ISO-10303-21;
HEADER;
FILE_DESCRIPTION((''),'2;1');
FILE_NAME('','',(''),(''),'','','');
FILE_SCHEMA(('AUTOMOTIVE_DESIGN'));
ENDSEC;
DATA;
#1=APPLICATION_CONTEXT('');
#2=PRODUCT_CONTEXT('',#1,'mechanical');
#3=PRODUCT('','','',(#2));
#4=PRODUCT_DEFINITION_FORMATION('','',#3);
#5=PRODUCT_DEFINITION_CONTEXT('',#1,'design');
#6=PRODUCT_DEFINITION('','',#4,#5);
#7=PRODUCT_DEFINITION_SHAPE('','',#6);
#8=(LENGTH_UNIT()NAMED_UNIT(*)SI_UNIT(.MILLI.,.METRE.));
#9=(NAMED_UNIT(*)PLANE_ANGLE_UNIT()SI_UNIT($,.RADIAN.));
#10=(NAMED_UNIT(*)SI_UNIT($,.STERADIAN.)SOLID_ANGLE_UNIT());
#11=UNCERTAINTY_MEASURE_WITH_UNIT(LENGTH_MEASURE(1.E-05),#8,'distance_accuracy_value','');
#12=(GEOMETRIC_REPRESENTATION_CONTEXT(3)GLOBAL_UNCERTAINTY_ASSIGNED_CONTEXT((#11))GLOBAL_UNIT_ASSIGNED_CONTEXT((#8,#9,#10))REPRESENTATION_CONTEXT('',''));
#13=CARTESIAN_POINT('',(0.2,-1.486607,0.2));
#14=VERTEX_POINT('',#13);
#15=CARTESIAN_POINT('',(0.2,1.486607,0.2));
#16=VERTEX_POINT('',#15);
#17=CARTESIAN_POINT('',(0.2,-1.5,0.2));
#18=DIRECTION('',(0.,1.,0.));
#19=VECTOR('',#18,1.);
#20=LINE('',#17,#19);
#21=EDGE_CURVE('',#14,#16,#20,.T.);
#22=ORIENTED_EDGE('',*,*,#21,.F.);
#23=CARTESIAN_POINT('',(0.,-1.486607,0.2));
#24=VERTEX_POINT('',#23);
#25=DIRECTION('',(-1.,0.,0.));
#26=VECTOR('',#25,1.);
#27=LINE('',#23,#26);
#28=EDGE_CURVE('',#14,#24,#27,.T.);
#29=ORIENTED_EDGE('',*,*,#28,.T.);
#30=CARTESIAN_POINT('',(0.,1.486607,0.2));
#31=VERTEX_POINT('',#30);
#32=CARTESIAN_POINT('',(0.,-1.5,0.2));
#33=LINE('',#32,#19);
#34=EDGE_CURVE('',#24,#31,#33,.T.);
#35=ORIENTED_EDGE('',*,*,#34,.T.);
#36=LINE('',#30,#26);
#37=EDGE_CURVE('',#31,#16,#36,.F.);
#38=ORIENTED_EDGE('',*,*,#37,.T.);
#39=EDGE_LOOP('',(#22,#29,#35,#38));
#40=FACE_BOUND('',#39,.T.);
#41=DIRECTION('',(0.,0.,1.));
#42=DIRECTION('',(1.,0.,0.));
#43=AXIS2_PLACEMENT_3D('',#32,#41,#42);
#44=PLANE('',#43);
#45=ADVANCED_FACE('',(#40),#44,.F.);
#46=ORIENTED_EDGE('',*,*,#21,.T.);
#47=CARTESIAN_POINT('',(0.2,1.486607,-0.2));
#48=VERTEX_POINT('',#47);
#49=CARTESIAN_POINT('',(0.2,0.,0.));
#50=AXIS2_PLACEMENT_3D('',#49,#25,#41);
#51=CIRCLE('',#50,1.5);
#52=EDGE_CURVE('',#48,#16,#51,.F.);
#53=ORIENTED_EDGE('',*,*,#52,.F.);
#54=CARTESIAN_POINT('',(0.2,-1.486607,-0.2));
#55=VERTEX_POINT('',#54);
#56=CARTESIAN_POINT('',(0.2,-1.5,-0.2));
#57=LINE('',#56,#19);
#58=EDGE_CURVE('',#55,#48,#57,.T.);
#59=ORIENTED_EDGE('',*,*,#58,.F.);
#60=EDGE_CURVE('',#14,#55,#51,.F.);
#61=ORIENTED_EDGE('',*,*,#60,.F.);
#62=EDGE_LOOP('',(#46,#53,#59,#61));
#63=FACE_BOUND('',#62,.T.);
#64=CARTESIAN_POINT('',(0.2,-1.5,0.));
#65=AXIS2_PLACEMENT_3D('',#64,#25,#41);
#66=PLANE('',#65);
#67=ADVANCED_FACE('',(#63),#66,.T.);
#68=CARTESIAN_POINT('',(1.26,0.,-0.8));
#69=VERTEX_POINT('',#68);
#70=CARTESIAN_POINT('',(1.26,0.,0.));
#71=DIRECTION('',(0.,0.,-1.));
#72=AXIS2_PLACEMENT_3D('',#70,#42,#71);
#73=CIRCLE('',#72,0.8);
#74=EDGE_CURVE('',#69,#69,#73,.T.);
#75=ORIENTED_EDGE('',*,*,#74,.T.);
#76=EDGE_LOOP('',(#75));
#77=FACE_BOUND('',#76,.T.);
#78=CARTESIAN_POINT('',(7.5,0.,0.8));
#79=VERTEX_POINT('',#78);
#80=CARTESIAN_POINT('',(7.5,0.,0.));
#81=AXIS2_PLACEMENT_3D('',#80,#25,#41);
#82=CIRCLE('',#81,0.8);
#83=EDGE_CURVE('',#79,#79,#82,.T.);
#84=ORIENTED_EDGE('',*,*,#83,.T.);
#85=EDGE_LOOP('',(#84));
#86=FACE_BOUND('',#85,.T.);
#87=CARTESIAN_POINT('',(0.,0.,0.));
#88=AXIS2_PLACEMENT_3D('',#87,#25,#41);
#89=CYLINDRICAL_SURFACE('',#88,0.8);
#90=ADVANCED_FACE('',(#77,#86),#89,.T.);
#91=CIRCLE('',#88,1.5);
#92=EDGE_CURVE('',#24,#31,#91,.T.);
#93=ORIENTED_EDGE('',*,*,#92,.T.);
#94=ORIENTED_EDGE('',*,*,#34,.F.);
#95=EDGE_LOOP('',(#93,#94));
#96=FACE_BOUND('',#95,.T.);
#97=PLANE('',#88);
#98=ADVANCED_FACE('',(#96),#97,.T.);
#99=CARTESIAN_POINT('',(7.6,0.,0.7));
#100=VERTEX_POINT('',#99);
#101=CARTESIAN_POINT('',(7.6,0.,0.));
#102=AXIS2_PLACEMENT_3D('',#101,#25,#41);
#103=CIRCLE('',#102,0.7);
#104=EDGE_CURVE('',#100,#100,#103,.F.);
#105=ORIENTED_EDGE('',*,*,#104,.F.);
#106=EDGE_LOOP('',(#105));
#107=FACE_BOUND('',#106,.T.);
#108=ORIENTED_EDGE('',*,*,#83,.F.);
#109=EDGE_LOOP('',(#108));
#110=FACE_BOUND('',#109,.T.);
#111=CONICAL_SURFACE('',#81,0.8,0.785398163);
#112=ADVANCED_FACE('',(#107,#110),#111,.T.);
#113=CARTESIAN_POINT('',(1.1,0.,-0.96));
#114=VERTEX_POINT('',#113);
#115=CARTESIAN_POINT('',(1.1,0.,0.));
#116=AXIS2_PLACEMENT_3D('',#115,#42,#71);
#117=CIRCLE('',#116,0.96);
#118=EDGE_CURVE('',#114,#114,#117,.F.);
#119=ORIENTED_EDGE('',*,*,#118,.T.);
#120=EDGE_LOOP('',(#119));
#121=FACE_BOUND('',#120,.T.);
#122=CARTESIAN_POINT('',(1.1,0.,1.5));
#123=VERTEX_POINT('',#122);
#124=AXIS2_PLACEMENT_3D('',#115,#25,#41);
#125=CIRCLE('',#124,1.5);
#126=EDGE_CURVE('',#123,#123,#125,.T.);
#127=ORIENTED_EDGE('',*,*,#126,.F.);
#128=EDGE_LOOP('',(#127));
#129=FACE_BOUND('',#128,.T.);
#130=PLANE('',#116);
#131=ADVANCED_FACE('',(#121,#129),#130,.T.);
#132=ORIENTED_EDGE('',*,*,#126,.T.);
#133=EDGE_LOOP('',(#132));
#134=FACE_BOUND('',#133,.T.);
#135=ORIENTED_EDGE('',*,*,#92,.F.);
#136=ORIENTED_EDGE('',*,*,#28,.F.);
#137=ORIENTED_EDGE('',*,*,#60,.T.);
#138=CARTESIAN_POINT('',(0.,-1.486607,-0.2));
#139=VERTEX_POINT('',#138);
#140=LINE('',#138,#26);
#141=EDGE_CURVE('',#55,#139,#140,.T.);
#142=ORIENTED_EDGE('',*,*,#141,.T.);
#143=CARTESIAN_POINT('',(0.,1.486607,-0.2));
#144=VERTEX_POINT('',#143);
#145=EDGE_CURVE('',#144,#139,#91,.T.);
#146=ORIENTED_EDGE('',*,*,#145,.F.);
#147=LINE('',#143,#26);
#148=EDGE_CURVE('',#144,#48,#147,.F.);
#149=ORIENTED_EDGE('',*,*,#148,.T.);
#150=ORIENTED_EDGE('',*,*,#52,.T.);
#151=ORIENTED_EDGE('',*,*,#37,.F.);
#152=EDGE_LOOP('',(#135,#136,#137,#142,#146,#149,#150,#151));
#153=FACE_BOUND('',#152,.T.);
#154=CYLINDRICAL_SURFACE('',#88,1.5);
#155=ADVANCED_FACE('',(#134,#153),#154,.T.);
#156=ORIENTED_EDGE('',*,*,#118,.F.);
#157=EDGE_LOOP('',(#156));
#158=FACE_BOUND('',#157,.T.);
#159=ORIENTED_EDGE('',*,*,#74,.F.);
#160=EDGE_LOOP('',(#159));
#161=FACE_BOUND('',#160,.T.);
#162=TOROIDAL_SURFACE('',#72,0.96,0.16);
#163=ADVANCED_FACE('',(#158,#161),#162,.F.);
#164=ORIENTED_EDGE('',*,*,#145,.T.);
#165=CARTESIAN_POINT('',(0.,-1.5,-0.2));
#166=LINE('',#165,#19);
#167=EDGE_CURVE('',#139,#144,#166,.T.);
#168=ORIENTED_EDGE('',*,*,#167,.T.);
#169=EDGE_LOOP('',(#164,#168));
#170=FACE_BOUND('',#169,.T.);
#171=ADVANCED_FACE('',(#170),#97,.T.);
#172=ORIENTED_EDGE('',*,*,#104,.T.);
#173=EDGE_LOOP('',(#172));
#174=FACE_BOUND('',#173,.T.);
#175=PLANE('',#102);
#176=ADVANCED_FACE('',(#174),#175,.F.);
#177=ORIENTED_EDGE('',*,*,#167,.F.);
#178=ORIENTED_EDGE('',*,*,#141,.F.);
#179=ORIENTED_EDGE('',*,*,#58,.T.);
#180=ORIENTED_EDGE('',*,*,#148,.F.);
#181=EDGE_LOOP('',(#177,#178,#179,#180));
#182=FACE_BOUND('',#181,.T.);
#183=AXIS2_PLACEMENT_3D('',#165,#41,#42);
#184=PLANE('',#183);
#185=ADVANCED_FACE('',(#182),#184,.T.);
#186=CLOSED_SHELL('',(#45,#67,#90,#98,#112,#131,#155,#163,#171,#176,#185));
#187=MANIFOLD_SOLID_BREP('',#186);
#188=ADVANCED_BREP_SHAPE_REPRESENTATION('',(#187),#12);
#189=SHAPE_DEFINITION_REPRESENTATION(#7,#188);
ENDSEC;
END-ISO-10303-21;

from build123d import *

# Parameters (mm, degrees)
SKETCH1_W           = 6.5
SKETCH1_H           = 0.8
CHAMFER1_SIZE       = 0.1
FILLET1_R           = 0.16
EXTRUDE1_DEPTH      = 8.890500618
EXTRUDE1_DEPTH_BACK = 8.890500618
SKETCH2_W           = 0.2
SKETCH2_H           = 0.2


with BuildPart() as part:
    # Sketch1 → Revolve1 (revolve)
    with BuildSketch(Plane.XY, mode=Mode.PRIVATE) as revolve1_sk:
        Polygon((0, 1.5), (0, 0), (1.1, 0), (1.1, 0.8), (1.1, 1.5), align=None)
        with Locations((4.35, 0.4)):
            Rectangle(SKETCH1_W, SKETCH1_H)
    revolve(revolve1_sk.sketch.rotate(Axis((0, 0, 0), (1, 0, 0)), 90), axis=Axis((0, 0, 0), (1, 0, 0)))

    # Chamfer1
    chamfer1_edges = [part.edges().sort_by_distance(p)[0] for p in [
        (7.6, 0, -0.8),
    ]]
    chamfer(chamfer1_edges, length=CHAMFER1_SIZE)

    # Fillet1
    fillet1_edges = [part.edges().sort_by_distance(p)[0] for p in [
        (1.1, 0, -0.8),
    ]]
    fillet(fillet1_edges, radius=FILLET1_R)

    # Sketch2 → Extrude1 (cut, two sides: drawn at the far end of the back side and taken through both)
    with BuildSketch(Plane(origin=(0, 0, 0), x_dir=(1, 0, 0), z_dir=(0, 1, 0)).offset(-EXTRUDE1_DEPTH_BACK)):
        with Locations((0.1, -0.1)):
            Rectangle(SKETCH2_W, SKETCH2_H)
        with Locations((0.1, 0.1)):
            Rectangle(SKETCH2_W, SKETCH2_H)
    extrude(amount=EXTRUDE1_DEPTH + EXTRUDE1_DEPTH_BACK, mode=Mode.SUBTRACT)


solid = part.part
